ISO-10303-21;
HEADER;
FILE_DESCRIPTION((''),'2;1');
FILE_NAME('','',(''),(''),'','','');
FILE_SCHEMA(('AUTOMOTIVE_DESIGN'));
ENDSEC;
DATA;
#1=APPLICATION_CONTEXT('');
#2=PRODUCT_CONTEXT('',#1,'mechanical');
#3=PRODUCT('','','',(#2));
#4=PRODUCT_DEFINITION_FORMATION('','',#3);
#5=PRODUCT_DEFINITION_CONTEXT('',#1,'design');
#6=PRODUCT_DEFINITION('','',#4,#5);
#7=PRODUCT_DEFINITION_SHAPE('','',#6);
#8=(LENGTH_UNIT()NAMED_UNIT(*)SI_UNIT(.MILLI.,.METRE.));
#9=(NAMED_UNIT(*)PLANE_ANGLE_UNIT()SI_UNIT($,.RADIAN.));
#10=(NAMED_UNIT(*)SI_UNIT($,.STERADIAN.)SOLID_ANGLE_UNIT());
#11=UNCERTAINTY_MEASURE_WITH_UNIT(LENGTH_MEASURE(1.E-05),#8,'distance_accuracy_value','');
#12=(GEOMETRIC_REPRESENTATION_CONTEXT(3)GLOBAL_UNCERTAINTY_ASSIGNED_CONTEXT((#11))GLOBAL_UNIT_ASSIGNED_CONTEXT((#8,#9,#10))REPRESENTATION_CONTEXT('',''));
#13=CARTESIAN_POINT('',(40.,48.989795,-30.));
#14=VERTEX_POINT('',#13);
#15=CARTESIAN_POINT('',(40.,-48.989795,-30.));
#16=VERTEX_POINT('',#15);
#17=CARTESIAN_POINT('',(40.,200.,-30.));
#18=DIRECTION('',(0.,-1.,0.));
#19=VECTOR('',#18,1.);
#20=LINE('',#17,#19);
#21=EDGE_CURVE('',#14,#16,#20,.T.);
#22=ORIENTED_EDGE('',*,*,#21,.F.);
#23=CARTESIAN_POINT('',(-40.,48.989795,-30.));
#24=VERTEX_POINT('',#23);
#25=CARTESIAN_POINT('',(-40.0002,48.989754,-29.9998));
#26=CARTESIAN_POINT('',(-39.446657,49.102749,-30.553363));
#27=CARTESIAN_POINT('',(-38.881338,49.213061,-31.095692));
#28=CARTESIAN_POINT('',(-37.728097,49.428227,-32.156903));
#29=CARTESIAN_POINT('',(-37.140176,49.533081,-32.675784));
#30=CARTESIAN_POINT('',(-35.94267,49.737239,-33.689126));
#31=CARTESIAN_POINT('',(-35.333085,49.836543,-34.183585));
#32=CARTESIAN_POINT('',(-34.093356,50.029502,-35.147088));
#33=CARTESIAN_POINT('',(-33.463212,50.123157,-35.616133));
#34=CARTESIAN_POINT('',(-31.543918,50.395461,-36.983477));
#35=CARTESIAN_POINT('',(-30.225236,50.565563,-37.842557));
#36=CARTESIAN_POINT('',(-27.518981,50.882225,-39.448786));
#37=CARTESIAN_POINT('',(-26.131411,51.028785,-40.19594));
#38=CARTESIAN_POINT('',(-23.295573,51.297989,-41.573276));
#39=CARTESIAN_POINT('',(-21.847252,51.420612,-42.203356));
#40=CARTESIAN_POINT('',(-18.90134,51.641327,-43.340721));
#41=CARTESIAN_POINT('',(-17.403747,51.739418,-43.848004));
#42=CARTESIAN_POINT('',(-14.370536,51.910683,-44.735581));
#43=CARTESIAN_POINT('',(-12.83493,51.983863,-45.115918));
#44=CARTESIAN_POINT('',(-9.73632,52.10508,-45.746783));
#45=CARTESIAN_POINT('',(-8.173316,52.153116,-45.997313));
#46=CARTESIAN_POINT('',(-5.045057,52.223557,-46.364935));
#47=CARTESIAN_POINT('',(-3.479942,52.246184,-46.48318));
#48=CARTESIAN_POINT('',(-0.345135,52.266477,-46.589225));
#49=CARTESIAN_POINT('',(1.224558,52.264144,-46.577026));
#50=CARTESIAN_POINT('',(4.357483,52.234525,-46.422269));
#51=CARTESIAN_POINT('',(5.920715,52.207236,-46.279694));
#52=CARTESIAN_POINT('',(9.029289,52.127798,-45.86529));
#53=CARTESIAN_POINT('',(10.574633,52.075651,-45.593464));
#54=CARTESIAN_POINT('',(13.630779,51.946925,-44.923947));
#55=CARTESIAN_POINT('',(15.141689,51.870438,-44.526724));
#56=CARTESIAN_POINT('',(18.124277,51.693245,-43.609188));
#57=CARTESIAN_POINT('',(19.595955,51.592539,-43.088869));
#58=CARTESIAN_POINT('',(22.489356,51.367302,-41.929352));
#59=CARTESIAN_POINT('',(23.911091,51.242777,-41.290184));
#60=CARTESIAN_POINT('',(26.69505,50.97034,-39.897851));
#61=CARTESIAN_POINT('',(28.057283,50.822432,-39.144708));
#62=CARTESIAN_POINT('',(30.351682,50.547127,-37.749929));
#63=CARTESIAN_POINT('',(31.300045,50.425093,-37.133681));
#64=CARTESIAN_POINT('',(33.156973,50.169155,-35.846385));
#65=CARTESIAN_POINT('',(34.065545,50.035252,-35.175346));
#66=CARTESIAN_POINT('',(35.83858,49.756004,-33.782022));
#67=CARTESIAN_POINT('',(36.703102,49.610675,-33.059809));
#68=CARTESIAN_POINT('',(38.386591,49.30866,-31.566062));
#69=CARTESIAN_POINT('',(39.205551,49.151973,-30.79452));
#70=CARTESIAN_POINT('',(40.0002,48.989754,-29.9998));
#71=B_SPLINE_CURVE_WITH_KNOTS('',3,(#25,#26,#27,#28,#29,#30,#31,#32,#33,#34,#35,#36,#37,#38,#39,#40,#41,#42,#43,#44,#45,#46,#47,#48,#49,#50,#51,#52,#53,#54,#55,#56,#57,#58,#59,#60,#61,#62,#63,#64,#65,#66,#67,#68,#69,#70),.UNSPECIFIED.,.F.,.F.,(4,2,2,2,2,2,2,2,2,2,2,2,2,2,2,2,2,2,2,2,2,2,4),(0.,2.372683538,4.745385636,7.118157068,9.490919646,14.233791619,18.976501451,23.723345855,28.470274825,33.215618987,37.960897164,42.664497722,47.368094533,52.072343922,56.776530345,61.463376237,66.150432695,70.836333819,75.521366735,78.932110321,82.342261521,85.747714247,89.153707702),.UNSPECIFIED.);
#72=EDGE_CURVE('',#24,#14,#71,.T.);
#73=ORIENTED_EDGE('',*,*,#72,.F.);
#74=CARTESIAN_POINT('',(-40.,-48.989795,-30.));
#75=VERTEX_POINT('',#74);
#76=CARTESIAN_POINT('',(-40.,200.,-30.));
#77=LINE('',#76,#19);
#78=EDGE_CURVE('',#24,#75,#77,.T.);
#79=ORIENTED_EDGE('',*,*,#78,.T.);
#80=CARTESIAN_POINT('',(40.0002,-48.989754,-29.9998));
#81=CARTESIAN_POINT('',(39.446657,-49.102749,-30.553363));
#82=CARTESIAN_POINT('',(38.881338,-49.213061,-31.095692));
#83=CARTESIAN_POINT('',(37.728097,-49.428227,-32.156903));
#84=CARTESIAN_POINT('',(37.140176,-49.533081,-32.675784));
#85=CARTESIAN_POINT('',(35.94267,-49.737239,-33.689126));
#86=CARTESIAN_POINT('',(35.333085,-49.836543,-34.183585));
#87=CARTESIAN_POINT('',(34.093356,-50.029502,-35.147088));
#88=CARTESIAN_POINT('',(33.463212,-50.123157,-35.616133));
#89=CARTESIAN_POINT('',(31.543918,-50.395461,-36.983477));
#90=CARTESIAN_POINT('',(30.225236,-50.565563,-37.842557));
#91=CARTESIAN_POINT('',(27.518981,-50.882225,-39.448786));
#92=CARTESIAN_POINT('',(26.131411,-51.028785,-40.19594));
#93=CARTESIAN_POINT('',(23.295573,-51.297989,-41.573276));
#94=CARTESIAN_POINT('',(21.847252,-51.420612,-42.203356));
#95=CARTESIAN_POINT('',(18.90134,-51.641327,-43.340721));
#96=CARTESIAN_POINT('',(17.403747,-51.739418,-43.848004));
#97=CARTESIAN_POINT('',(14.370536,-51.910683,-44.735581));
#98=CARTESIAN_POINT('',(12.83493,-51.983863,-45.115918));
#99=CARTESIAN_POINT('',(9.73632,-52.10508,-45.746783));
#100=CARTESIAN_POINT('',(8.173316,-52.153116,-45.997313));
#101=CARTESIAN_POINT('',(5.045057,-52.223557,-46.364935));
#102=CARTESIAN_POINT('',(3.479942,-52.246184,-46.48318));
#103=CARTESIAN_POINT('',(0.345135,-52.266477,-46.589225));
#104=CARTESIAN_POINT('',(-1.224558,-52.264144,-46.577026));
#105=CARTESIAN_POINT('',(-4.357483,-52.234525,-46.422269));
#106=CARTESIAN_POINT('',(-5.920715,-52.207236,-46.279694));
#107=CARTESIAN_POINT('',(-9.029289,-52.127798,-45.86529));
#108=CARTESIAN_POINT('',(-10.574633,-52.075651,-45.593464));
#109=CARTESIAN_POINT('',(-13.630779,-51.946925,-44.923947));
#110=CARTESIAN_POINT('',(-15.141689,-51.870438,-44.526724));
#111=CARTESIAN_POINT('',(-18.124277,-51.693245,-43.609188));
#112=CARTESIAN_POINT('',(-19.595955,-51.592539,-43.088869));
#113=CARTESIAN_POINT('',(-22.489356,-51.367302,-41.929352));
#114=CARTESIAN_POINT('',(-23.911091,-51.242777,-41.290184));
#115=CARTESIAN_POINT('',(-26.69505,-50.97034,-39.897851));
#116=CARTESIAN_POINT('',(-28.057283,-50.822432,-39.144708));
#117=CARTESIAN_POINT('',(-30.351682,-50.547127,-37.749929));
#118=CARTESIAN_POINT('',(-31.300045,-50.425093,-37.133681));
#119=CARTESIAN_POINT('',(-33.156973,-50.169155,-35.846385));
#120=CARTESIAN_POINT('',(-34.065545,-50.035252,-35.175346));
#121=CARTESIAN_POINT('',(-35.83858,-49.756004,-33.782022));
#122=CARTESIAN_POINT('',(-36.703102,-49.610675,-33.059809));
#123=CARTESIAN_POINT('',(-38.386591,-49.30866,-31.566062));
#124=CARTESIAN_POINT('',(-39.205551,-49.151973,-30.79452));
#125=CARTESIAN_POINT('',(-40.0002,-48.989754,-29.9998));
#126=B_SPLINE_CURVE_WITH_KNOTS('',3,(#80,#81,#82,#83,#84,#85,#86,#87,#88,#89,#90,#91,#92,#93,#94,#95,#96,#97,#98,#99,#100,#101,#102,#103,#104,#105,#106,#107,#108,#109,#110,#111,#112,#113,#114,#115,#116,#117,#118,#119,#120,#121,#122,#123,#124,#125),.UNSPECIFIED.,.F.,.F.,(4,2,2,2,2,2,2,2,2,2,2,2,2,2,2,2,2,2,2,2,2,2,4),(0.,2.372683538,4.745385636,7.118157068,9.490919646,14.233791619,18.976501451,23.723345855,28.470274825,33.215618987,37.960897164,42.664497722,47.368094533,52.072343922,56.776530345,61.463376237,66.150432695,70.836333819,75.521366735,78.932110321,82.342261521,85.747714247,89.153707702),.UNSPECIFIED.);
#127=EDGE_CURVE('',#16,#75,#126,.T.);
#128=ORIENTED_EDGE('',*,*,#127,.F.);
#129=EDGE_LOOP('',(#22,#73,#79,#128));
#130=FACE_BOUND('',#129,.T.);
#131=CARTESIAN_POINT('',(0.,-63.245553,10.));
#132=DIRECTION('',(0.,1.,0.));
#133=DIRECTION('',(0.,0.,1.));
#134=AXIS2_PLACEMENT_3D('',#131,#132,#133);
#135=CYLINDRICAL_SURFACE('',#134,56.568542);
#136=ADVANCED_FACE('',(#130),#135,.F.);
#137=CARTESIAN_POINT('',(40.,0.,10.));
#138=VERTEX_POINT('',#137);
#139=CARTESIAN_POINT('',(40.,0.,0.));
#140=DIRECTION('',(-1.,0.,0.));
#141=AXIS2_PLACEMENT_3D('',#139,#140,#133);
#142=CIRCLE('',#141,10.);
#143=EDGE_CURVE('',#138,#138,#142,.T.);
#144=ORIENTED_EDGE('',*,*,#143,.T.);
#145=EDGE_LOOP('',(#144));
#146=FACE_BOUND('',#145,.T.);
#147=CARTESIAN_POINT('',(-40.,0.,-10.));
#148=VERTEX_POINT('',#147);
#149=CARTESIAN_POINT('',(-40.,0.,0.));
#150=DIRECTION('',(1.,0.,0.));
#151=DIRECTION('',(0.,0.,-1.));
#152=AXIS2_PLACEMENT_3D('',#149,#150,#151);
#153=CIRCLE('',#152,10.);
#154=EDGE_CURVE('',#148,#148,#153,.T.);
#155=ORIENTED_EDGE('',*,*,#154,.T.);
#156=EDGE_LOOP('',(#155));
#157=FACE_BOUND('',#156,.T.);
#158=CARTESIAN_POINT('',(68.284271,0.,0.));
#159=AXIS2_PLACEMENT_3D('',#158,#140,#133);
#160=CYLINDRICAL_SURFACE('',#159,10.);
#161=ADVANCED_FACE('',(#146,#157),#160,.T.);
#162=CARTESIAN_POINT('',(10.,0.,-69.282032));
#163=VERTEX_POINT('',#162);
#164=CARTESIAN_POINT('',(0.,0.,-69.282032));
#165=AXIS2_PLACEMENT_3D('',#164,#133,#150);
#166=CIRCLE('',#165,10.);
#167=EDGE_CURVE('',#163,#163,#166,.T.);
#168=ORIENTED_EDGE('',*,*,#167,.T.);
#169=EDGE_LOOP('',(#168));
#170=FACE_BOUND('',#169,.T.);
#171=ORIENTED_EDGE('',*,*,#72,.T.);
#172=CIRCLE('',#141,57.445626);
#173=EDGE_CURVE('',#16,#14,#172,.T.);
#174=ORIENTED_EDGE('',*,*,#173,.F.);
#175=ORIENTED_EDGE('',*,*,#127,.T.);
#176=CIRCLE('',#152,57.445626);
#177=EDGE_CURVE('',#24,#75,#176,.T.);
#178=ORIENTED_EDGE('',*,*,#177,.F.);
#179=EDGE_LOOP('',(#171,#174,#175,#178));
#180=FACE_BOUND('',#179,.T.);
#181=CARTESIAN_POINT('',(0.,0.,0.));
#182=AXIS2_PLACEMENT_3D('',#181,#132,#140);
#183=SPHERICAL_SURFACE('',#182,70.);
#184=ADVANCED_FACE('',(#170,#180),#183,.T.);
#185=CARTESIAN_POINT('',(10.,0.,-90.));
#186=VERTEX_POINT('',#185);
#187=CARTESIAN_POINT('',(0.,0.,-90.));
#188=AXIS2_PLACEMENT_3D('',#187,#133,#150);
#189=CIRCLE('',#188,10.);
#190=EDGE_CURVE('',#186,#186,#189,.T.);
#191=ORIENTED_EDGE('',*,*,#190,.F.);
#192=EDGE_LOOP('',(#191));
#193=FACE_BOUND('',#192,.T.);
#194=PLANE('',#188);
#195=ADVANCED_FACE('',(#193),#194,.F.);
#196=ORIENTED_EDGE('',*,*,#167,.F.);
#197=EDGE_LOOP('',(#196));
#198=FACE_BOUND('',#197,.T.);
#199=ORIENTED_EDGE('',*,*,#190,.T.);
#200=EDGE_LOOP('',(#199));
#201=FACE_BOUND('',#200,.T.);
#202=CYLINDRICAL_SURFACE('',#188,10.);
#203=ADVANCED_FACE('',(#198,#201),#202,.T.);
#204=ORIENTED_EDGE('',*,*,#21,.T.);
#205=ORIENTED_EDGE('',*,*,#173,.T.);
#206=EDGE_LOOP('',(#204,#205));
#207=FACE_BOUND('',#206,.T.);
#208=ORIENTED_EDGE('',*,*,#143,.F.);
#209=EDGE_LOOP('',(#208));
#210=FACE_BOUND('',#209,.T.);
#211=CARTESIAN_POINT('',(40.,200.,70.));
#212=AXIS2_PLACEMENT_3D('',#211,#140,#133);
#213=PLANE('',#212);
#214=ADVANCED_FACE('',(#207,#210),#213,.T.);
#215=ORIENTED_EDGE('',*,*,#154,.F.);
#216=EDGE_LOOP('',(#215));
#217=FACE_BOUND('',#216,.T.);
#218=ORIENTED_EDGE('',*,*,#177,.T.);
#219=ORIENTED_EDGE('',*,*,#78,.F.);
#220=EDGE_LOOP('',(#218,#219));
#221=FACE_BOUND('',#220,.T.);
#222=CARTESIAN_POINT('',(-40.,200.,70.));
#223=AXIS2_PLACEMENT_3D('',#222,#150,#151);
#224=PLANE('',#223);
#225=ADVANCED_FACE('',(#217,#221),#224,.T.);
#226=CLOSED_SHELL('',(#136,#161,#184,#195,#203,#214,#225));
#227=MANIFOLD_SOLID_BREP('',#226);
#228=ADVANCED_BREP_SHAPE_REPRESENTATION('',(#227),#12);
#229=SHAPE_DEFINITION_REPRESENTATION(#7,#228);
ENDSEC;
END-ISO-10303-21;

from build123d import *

# Parameters (mm, degrees)
SKETCH4_W               = 80
SKETCH4_H               = 100
CUT_EXTRUDE1_DEPTH      = 200
CUT_EXTRUDE1_DEPTH_BACK = 200
SKETCH5_R               = 10
BOSS_EXTRUDE1_DEPTH     = 60
SKETCH6_R               = 10
BOSS_EXTRUDE2_DEPTH     = 80
CUT_EXTRUDE2_DEPTH      = 64.245553203
CUT_EXTRUDE2_DEPTH_BACK = 64.245553203


with BuildPart() as part:
    # Sketch3 → Revolve1 (revolve)
    with BuildSketch(Plane.XY):
        with BuildLine():
            Line((0, 70), (0, -70))
            ThreePointArc((0, -70), (70, 0), (0, 70))
        make_face()
    revolve(axis=Axis((0, 136.094420601, 0), (0, -1, 0)))

    # Sketch4 → Cut-Extrude1 (cut, two sides)
    with BuildSketch(Plane(origin=(0, 0, 0), x_dir=(1, 0, 0), z_dir=(0, 1, 0))) as cut_extrude1_sk:
        with Locations((0, -20)):
            Rectangle(SKETCH4_W, SKETCH4_H)
    extrude(amount=CUT_EXTRUDE1_DEPTH, mode=Mode.SUBTRACT)
    extrude(cut_extrude1_sk.sketch, amount=-CUT_EXTRUDE1_DEPTH_BACK, mode=Mode.SUBTRACT)

    # Sketch5 → Boss-Extrude1 (add)
    with BuildSketch(Plane.XY.offset(-30)):
        Circle(SKETCH5_R)
    extrude(amount=-BOSS_EXTRUDE1_DEPTH)

    # Sketch6 → Boss-Extrude2 (add)
    with BuildSketch(Plane(origin=(-40, 0, 0), x_dir=(0, 0, -1), z_dir=(1, 0, 0))):
        Circle(SKETCH6_R)
    extrude(amount=BOSS_EXTRUDE2_DEPTH)

    # Sketch7 → Cut-Extrude2 (cut, two sides)
    with BuildSketch(Plane(origin=(0, 0, 0), x_dir=(1, 0, 0), z_dir=(0, 1, 0))) as cut_extrude2_sk:
        with BuildLine():
            Line((40, 30), (-40, 30))
            ThreePointArc((-40, 30), (0, 46.568542495), (40, 30))
        make_face()
    extrude(amount=CUT_EXTRUDE2_DEPTH, mode=Mode.SUBTRACT)
    extrude(cut_extrude2_sk.sketch, amount=-CUT_EXTRUDE2_DEPTH_BACK, mode=Mode.SUBTRACT)


solid = part.part
